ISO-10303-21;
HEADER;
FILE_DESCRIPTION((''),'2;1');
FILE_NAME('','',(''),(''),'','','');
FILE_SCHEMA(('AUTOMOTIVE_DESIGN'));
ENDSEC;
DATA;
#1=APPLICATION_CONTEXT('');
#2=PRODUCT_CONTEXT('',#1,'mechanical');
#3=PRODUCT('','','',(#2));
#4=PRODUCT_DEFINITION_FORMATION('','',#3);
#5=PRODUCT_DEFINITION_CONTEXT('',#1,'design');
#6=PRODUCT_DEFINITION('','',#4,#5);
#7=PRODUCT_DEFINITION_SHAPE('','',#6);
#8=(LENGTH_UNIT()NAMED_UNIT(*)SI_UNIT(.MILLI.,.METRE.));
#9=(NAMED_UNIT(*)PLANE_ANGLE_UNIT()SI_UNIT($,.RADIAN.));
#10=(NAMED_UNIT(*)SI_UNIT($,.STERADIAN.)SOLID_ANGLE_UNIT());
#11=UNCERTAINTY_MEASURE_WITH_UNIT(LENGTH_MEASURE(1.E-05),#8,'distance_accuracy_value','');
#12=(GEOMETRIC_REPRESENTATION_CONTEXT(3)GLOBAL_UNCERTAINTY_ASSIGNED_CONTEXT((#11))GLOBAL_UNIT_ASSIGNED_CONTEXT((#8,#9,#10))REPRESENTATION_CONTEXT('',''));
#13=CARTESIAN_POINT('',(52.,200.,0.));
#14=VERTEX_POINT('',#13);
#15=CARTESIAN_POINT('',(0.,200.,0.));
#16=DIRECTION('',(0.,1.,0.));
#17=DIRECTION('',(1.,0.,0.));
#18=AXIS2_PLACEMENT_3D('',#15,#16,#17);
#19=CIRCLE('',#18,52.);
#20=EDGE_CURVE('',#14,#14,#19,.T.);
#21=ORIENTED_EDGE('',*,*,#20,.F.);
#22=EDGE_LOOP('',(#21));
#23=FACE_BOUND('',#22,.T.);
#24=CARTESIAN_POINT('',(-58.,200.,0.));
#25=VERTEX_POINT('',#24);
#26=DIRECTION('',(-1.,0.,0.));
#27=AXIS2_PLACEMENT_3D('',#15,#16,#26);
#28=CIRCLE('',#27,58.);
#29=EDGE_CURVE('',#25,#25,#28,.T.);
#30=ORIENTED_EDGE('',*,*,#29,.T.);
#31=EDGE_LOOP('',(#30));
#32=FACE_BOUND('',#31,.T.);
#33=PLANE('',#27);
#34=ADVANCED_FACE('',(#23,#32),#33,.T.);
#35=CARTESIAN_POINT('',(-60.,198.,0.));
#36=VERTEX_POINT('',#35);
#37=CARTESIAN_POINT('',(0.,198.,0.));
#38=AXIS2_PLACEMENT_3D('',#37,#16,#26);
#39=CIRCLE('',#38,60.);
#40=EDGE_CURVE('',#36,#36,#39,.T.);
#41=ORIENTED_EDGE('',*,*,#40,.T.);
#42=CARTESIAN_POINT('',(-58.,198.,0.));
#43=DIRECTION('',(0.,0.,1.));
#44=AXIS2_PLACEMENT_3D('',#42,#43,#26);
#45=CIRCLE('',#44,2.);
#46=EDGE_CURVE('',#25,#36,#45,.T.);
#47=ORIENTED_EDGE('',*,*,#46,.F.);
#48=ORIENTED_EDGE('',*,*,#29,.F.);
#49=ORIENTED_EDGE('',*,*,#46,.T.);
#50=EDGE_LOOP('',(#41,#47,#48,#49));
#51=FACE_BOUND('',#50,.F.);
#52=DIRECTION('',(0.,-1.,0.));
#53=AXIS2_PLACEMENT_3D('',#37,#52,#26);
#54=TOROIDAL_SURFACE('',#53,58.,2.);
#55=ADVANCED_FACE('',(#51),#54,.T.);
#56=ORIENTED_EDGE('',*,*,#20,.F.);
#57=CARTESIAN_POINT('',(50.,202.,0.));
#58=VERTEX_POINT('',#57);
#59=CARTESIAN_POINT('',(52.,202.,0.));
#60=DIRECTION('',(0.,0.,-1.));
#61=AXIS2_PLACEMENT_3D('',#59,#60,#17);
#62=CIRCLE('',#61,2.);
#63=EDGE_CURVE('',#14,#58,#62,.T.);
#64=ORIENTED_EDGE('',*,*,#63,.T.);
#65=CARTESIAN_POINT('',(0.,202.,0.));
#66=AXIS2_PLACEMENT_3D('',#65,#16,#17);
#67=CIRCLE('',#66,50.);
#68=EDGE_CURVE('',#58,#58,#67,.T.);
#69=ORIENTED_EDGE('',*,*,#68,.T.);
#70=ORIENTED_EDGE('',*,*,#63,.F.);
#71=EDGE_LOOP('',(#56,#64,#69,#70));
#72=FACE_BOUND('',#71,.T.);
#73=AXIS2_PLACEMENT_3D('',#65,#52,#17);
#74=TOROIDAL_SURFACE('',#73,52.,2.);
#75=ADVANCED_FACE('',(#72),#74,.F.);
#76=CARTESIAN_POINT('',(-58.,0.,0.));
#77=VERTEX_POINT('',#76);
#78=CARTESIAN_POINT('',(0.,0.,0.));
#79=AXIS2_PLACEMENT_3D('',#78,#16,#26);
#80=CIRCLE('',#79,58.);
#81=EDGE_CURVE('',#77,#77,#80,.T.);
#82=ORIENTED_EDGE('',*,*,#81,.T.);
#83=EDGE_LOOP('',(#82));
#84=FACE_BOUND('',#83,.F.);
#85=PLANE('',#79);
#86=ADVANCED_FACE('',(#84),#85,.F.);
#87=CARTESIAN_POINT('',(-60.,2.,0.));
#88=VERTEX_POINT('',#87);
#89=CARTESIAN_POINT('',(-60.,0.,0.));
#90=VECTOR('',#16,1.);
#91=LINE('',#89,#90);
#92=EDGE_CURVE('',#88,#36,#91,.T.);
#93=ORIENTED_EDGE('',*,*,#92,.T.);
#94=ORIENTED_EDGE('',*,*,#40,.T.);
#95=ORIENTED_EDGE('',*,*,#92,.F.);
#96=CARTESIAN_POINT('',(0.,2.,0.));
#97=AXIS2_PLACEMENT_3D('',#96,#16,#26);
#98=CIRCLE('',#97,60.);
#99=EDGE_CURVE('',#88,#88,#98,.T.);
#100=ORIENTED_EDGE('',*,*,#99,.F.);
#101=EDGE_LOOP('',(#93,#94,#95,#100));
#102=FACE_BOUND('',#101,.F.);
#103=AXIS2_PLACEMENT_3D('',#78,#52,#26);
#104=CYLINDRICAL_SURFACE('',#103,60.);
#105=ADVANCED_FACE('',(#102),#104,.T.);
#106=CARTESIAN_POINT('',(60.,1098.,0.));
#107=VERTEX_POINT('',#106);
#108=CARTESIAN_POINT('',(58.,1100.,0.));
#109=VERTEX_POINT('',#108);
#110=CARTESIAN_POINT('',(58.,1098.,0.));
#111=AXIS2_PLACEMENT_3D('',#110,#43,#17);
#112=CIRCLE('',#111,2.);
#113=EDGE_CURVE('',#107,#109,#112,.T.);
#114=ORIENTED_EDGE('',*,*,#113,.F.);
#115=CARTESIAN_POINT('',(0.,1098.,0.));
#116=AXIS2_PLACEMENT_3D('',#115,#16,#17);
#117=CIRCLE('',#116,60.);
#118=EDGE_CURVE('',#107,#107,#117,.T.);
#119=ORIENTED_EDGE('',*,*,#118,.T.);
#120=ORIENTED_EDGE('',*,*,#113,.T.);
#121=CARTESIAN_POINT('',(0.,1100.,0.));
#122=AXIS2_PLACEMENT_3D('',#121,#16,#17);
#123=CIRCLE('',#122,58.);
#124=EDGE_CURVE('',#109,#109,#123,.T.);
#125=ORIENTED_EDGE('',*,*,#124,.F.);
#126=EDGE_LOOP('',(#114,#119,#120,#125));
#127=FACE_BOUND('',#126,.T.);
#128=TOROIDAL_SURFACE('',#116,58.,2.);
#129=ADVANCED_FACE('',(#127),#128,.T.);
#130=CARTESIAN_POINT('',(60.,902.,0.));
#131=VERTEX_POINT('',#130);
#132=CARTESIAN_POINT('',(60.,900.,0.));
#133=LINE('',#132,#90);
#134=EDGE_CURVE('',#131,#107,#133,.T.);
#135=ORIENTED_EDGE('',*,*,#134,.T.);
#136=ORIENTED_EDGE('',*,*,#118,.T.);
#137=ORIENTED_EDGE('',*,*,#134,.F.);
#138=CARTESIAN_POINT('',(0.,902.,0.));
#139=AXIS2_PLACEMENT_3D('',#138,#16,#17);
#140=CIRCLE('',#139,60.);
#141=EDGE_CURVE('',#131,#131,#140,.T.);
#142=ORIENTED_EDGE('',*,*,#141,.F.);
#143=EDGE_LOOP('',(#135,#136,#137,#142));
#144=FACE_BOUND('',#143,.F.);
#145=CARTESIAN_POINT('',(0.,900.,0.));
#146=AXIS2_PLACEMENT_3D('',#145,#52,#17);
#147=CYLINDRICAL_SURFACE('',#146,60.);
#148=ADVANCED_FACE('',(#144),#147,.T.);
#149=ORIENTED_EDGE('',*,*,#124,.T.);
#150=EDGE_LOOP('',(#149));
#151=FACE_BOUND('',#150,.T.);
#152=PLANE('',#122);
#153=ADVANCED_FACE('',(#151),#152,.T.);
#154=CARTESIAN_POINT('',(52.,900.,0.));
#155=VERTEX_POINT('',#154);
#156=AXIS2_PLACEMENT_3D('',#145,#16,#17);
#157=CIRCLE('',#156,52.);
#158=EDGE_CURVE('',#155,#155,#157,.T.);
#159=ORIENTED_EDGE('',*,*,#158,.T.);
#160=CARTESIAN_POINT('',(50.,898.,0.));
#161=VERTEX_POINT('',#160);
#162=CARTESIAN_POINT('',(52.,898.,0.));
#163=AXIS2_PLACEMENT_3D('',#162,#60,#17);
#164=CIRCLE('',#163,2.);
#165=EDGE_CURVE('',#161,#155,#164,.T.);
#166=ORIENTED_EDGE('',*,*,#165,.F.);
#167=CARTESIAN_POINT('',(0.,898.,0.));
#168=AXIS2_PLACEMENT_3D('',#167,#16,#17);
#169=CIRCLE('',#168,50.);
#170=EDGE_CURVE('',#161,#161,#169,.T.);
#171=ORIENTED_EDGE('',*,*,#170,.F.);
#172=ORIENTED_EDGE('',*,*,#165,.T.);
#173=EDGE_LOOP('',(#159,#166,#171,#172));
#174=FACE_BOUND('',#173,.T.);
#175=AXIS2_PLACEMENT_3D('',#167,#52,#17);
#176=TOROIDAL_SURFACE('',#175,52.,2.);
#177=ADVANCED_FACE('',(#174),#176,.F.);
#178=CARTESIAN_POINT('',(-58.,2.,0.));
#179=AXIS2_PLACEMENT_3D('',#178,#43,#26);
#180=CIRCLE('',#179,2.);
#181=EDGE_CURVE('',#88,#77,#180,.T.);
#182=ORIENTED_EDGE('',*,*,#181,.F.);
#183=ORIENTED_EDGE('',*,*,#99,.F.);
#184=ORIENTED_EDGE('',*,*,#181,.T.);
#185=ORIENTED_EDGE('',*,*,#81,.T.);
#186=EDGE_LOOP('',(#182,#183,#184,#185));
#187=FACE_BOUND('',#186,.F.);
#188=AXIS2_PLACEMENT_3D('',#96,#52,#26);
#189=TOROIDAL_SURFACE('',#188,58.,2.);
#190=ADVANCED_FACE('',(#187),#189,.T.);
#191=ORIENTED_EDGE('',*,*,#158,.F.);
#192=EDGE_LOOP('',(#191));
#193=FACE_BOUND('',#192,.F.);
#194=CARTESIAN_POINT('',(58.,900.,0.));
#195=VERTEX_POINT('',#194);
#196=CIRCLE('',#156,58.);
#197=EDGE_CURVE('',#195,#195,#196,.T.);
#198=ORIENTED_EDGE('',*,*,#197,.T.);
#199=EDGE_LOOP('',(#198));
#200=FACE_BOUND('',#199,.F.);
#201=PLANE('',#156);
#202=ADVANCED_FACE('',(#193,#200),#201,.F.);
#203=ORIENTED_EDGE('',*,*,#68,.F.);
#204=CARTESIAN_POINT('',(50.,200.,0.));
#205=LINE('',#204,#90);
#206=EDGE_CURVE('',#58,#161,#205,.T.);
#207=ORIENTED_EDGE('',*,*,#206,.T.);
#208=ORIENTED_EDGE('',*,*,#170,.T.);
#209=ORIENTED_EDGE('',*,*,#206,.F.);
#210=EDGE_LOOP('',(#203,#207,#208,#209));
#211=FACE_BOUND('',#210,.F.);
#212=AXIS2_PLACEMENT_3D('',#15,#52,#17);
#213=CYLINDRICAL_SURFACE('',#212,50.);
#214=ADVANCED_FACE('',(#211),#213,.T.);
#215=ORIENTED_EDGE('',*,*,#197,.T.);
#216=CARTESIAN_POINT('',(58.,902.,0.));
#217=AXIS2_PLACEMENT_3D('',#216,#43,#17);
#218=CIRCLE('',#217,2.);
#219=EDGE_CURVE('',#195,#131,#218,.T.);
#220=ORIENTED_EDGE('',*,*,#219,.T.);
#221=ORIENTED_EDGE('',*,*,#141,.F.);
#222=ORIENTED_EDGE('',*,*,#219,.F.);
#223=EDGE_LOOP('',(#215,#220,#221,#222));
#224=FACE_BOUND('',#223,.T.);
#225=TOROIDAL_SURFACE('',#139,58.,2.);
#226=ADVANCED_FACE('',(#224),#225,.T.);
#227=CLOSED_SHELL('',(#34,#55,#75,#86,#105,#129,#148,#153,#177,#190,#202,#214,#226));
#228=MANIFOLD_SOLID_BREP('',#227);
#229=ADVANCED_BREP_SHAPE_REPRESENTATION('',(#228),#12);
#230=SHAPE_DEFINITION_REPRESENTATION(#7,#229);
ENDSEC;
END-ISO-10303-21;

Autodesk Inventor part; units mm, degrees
ref_plane "YZ Plane" through (0, 0, 0) normal (1, 0, 0) x (0, 1, 0)
ref_plane "XZ Plane" through (0, 0, 0) normal (0, 1, 0) x (-1, 0, 0)
ref_plane "XY Plane" through (0, 0, 0) normal (0, 0, 1) x (1, 0, 0)
sketch "Sketch1" plane through (0, 0, 0) normal (0, 1, 0) x (-1, 0, 0)
  circle A0 centre (0, 0) radius 60
  dimension "d0" = 120
extrude "Extrusion1" add sketch "Sketch1" along normal blind 200
sketch "Sketch2" plane through (0, 200, 0) normal (0, 1, 0) x (1, 0, 0)
  circle A0 centre (0, 0) radius 50
  dimension "d3" = 100
extrude "Extrusion2" add sketch "Sketch2" along normal blind 700
sketch "Sketch3" plane through (0, 900, 0) normal (0, 1, 0) x (1, 0, 0)
  circle A0 centre (0, 0) radius 60
  dimension "d6" = 120
extrude "Extrusion3" add sketch "Sketch3" along normal blind 200
fillet "Fillet1" radius 2 1 edges at (60, 200, 0)
fillet "Fillet2" radius 2 1 edges at (-50, 200, 0)
fillet "Fillet3" radius 2 2 edges at (-60, 900, 0) (-50, 900, 0)
fillet "Fillet4" radius 2 1 edges at (-60, 1100, 0)
fillet "Fillet5" radius 2 1 edges at (60, 0, 0)
equation "\"d1\" = 2 * Grip"
equation "\"d3\" = Grip"
equation "\"d4\" = 7 * Grip"
equation "\"d7\" = 2 * Grip"
equation "\"Grip\" = 100"
properties part number "mallet_new" material "Wood (Birch)"
